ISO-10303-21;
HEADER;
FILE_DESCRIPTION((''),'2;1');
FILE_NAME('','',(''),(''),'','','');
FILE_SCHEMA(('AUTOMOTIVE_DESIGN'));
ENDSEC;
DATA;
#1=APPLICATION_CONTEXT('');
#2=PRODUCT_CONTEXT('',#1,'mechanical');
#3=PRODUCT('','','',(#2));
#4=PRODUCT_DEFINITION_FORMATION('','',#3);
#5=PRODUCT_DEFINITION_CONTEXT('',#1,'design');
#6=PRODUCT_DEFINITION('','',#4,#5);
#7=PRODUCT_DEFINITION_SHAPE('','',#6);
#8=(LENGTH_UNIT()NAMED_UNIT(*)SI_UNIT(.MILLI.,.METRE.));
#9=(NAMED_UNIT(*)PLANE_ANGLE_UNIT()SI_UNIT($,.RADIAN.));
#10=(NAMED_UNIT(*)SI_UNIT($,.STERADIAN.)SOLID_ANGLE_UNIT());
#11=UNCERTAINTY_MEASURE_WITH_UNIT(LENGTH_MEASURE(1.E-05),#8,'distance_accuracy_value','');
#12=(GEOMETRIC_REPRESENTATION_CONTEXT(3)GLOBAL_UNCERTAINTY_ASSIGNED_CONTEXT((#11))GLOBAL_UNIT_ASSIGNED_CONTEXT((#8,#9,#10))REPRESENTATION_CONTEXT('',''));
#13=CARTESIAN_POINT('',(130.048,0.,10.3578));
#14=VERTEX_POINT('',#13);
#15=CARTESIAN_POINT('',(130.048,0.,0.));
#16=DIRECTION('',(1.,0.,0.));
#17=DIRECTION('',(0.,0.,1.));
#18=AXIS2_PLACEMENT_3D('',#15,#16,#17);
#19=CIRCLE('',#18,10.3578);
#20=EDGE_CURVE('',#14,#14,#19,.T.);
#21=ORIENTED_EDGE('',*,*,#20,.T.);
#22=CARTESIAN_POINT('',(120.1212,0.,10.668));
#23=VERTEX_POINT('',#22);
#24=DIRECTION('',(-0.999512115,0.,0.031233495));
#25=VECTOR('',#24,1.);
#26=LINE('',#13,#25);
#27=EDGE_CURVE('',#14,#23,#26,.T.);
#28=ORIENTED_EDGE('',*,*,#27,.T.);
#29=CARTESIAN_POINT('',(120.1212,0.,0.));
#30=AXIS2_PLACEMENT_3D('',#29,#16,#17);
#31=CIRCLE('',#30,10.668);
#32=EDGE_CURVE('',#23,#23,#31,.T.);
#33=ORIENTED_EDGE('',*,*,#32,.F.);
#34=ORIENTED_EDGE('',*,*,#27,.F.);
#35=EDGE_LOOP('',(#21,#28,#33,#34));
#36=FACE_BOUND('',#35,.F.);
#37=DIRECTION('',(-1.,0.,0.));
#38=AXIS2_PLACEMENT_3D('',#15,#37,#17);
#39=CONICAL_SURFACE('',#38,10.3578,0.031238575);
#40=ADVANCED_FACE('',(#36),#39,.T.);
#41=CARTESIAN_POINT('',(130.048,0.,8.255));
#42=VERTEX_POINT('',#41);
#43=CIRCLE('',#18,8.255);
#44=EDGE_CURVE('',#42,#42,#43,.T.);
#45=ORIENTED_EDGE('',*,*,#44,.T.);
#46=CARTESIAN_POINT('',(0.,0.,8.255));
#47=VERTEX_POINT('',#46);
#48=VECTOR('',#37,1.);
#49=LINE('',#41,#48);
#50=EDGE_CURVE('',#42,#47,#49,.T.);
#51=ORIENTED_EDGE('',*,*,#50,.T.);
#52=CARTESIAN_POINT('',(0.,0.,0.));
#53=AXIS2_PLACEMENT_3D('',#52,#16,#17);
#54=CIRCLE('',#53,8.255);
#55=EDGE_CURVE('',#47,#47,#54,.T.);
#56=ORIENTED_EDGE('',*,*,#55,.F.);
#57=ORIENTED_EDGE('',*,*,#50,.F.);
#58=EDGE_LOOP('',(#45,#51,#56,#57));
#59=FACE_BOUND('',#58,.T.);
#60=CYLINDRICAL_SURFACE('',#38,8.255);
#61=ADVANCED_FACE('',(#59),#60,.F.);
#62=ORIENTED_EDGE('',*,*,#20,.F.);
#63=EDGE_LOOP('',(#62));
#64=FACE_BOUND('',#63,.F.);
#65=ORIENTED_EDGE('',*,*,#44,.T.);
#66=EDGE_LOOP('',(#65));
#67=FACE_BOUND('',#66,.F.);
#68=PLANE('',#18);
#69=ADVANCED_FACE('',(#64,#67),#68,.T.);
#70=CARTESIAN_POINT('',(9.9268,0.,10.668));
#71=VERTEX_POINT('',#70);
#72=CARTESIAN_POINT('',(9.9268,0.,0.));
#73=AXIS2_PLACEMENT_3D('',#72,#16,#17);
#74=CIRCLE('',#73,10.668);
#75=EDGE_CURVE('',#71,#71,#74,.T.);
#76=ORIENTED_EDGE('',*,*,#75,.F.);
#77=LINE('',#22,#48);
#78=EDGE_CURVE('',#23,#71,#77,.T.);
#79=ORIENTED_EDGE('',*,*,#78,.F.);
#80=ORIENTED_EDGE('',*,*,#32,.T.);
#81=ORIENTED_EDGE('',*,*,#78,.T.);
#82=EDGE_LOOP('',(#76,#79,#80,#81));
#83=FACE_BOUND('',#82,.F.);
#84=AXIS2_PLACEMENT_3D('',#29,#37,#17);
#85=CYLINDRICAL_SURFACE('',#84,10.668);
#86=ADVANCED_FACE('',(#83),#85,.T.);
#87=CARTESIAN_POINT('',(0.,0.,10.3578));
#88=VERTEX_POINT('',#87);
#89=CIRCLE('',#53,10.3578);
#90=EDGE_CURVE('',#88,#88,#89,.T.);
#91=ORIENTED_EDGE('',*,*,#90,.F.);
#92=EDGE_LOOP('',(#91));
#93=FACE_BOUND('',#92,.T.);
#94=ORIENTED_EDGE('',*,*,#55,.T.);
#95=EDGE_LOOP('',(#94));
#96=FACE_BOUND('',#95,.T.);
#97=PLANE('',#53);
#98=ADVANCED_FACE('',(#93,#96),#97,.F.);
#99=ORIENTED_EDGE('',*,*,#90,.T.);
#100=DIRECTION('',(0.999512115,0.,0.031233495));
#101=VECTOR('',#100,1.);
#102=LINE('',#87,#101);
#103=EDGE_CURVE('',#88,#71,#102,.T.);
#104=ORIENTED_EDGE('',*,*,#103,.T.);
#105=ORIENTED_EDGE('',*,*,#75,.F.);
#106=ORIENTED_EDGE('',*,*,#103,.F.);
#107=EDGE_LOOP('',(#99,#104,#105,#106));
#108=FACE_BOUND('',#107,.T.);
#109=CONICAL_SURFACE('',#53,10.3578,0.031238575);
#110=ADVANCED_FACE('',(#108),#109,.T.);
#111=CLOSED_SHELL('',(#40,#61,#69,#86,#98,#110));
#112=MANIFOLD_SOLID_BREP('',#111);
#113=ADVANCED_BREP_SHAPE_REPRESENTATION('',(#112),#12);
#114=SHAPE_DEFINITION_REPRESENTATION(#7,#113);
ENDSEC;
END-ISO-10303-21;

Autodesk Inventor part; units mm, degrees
ref_plane "YZ Plane" through (0, 0, 0) normal (1, 0, 0) x (0, 1, 0)
ref_plane "XZ Plane" through (0, 0, 0) normal (0, 1, 0) x (-1, 0, 0)
ref_plane "XY Plane" through (0, 0, 0) normal (0, 0, 1) x (1, 0, 0)
sketch "Sketch1" plane through (0, 0, 0) normal (0, 1, 0) x (-1, 0, 0)
  line L0 (0, 0) -> (-130.048, 0)
  line L1 (-130.048, 0) -> (-130.048, 8.255) construction
  line L2 (-130.048, 8.255) -> (-130.048, 10.3578)
  line L3 (-130.048, 10.3578) -> (-120.1212, 10.668)
  line L4 (-120.1212, 10.668) -> (-9.9268, 10.668)
  line L5 (-65.024, 0) -> (-65.024, 10.668) construction
  line L6 (-130.048, 8.255) -> (0, 8.255)
  line L7 (0, 0) -> (0, 8.255) construction
  line L8 (0, 8.255) -> (0, 10.3578)
  line L9 (0, 10.3578) -> (-9.9268, 10.668)
  line L10 (-116.492, 10.7814) -> (-116.492, 0) construction
  line L11 (-13.556, 10.7814) -> (-13.556, 0) construction
  line L12 (-120.1212, 10.668) -> (-116.492, 10.7814) construction
  line L13 (-120.1212, 10.668) -> (-120.1212, 0) construction
  line L14 (-9.9268, 10.668) -> (-13.556, 10.7814) construction
  line L15 (-9.9268, 10.668) -> (-9.9268, 0) construction
  dimension "d0" = 21.336
  dimension "d1" = 1.79
  dimension "d2" = 16.51
  dimension "d3" = 130.048
  dimension "d4" = 13.556
  dimension "d5" = 21.5628
revolve "Revolution1" add sketch "Sketch1" angle 360 about axis through (0, 0, 0) along (1, 0, 0)
thread "Thread1" size "1/2" designation "1/2 - 14 NPT" standard "NPT" full length
thread "Thread2" size "1/2" designation "1/2 - 14 NPT" standard "NPT" full length
equation "\"d0\" = OD"
equation "\"d2\" = ID"
equation "\"d3\" = L"
equation "\"d4\" = L2"
equation "\"d5\" = D2"
equation "\"OD\" = 21.336"
equation "\"t\" = 2.413"
equation "\"L\" = PL"
equation "\"L4\" = 19.8501"
equation "\"ID\" = 16.51"
equation "\"PL\" = 130.048"
equation "\"D2\" = 21.56282"
equation "\"L2\" = 13.55598"
equation "\"Size_Designation\" = 1.2345"
equation "\"PLmin\" = 2 * L2"
properties material "Steel, Wrought"
